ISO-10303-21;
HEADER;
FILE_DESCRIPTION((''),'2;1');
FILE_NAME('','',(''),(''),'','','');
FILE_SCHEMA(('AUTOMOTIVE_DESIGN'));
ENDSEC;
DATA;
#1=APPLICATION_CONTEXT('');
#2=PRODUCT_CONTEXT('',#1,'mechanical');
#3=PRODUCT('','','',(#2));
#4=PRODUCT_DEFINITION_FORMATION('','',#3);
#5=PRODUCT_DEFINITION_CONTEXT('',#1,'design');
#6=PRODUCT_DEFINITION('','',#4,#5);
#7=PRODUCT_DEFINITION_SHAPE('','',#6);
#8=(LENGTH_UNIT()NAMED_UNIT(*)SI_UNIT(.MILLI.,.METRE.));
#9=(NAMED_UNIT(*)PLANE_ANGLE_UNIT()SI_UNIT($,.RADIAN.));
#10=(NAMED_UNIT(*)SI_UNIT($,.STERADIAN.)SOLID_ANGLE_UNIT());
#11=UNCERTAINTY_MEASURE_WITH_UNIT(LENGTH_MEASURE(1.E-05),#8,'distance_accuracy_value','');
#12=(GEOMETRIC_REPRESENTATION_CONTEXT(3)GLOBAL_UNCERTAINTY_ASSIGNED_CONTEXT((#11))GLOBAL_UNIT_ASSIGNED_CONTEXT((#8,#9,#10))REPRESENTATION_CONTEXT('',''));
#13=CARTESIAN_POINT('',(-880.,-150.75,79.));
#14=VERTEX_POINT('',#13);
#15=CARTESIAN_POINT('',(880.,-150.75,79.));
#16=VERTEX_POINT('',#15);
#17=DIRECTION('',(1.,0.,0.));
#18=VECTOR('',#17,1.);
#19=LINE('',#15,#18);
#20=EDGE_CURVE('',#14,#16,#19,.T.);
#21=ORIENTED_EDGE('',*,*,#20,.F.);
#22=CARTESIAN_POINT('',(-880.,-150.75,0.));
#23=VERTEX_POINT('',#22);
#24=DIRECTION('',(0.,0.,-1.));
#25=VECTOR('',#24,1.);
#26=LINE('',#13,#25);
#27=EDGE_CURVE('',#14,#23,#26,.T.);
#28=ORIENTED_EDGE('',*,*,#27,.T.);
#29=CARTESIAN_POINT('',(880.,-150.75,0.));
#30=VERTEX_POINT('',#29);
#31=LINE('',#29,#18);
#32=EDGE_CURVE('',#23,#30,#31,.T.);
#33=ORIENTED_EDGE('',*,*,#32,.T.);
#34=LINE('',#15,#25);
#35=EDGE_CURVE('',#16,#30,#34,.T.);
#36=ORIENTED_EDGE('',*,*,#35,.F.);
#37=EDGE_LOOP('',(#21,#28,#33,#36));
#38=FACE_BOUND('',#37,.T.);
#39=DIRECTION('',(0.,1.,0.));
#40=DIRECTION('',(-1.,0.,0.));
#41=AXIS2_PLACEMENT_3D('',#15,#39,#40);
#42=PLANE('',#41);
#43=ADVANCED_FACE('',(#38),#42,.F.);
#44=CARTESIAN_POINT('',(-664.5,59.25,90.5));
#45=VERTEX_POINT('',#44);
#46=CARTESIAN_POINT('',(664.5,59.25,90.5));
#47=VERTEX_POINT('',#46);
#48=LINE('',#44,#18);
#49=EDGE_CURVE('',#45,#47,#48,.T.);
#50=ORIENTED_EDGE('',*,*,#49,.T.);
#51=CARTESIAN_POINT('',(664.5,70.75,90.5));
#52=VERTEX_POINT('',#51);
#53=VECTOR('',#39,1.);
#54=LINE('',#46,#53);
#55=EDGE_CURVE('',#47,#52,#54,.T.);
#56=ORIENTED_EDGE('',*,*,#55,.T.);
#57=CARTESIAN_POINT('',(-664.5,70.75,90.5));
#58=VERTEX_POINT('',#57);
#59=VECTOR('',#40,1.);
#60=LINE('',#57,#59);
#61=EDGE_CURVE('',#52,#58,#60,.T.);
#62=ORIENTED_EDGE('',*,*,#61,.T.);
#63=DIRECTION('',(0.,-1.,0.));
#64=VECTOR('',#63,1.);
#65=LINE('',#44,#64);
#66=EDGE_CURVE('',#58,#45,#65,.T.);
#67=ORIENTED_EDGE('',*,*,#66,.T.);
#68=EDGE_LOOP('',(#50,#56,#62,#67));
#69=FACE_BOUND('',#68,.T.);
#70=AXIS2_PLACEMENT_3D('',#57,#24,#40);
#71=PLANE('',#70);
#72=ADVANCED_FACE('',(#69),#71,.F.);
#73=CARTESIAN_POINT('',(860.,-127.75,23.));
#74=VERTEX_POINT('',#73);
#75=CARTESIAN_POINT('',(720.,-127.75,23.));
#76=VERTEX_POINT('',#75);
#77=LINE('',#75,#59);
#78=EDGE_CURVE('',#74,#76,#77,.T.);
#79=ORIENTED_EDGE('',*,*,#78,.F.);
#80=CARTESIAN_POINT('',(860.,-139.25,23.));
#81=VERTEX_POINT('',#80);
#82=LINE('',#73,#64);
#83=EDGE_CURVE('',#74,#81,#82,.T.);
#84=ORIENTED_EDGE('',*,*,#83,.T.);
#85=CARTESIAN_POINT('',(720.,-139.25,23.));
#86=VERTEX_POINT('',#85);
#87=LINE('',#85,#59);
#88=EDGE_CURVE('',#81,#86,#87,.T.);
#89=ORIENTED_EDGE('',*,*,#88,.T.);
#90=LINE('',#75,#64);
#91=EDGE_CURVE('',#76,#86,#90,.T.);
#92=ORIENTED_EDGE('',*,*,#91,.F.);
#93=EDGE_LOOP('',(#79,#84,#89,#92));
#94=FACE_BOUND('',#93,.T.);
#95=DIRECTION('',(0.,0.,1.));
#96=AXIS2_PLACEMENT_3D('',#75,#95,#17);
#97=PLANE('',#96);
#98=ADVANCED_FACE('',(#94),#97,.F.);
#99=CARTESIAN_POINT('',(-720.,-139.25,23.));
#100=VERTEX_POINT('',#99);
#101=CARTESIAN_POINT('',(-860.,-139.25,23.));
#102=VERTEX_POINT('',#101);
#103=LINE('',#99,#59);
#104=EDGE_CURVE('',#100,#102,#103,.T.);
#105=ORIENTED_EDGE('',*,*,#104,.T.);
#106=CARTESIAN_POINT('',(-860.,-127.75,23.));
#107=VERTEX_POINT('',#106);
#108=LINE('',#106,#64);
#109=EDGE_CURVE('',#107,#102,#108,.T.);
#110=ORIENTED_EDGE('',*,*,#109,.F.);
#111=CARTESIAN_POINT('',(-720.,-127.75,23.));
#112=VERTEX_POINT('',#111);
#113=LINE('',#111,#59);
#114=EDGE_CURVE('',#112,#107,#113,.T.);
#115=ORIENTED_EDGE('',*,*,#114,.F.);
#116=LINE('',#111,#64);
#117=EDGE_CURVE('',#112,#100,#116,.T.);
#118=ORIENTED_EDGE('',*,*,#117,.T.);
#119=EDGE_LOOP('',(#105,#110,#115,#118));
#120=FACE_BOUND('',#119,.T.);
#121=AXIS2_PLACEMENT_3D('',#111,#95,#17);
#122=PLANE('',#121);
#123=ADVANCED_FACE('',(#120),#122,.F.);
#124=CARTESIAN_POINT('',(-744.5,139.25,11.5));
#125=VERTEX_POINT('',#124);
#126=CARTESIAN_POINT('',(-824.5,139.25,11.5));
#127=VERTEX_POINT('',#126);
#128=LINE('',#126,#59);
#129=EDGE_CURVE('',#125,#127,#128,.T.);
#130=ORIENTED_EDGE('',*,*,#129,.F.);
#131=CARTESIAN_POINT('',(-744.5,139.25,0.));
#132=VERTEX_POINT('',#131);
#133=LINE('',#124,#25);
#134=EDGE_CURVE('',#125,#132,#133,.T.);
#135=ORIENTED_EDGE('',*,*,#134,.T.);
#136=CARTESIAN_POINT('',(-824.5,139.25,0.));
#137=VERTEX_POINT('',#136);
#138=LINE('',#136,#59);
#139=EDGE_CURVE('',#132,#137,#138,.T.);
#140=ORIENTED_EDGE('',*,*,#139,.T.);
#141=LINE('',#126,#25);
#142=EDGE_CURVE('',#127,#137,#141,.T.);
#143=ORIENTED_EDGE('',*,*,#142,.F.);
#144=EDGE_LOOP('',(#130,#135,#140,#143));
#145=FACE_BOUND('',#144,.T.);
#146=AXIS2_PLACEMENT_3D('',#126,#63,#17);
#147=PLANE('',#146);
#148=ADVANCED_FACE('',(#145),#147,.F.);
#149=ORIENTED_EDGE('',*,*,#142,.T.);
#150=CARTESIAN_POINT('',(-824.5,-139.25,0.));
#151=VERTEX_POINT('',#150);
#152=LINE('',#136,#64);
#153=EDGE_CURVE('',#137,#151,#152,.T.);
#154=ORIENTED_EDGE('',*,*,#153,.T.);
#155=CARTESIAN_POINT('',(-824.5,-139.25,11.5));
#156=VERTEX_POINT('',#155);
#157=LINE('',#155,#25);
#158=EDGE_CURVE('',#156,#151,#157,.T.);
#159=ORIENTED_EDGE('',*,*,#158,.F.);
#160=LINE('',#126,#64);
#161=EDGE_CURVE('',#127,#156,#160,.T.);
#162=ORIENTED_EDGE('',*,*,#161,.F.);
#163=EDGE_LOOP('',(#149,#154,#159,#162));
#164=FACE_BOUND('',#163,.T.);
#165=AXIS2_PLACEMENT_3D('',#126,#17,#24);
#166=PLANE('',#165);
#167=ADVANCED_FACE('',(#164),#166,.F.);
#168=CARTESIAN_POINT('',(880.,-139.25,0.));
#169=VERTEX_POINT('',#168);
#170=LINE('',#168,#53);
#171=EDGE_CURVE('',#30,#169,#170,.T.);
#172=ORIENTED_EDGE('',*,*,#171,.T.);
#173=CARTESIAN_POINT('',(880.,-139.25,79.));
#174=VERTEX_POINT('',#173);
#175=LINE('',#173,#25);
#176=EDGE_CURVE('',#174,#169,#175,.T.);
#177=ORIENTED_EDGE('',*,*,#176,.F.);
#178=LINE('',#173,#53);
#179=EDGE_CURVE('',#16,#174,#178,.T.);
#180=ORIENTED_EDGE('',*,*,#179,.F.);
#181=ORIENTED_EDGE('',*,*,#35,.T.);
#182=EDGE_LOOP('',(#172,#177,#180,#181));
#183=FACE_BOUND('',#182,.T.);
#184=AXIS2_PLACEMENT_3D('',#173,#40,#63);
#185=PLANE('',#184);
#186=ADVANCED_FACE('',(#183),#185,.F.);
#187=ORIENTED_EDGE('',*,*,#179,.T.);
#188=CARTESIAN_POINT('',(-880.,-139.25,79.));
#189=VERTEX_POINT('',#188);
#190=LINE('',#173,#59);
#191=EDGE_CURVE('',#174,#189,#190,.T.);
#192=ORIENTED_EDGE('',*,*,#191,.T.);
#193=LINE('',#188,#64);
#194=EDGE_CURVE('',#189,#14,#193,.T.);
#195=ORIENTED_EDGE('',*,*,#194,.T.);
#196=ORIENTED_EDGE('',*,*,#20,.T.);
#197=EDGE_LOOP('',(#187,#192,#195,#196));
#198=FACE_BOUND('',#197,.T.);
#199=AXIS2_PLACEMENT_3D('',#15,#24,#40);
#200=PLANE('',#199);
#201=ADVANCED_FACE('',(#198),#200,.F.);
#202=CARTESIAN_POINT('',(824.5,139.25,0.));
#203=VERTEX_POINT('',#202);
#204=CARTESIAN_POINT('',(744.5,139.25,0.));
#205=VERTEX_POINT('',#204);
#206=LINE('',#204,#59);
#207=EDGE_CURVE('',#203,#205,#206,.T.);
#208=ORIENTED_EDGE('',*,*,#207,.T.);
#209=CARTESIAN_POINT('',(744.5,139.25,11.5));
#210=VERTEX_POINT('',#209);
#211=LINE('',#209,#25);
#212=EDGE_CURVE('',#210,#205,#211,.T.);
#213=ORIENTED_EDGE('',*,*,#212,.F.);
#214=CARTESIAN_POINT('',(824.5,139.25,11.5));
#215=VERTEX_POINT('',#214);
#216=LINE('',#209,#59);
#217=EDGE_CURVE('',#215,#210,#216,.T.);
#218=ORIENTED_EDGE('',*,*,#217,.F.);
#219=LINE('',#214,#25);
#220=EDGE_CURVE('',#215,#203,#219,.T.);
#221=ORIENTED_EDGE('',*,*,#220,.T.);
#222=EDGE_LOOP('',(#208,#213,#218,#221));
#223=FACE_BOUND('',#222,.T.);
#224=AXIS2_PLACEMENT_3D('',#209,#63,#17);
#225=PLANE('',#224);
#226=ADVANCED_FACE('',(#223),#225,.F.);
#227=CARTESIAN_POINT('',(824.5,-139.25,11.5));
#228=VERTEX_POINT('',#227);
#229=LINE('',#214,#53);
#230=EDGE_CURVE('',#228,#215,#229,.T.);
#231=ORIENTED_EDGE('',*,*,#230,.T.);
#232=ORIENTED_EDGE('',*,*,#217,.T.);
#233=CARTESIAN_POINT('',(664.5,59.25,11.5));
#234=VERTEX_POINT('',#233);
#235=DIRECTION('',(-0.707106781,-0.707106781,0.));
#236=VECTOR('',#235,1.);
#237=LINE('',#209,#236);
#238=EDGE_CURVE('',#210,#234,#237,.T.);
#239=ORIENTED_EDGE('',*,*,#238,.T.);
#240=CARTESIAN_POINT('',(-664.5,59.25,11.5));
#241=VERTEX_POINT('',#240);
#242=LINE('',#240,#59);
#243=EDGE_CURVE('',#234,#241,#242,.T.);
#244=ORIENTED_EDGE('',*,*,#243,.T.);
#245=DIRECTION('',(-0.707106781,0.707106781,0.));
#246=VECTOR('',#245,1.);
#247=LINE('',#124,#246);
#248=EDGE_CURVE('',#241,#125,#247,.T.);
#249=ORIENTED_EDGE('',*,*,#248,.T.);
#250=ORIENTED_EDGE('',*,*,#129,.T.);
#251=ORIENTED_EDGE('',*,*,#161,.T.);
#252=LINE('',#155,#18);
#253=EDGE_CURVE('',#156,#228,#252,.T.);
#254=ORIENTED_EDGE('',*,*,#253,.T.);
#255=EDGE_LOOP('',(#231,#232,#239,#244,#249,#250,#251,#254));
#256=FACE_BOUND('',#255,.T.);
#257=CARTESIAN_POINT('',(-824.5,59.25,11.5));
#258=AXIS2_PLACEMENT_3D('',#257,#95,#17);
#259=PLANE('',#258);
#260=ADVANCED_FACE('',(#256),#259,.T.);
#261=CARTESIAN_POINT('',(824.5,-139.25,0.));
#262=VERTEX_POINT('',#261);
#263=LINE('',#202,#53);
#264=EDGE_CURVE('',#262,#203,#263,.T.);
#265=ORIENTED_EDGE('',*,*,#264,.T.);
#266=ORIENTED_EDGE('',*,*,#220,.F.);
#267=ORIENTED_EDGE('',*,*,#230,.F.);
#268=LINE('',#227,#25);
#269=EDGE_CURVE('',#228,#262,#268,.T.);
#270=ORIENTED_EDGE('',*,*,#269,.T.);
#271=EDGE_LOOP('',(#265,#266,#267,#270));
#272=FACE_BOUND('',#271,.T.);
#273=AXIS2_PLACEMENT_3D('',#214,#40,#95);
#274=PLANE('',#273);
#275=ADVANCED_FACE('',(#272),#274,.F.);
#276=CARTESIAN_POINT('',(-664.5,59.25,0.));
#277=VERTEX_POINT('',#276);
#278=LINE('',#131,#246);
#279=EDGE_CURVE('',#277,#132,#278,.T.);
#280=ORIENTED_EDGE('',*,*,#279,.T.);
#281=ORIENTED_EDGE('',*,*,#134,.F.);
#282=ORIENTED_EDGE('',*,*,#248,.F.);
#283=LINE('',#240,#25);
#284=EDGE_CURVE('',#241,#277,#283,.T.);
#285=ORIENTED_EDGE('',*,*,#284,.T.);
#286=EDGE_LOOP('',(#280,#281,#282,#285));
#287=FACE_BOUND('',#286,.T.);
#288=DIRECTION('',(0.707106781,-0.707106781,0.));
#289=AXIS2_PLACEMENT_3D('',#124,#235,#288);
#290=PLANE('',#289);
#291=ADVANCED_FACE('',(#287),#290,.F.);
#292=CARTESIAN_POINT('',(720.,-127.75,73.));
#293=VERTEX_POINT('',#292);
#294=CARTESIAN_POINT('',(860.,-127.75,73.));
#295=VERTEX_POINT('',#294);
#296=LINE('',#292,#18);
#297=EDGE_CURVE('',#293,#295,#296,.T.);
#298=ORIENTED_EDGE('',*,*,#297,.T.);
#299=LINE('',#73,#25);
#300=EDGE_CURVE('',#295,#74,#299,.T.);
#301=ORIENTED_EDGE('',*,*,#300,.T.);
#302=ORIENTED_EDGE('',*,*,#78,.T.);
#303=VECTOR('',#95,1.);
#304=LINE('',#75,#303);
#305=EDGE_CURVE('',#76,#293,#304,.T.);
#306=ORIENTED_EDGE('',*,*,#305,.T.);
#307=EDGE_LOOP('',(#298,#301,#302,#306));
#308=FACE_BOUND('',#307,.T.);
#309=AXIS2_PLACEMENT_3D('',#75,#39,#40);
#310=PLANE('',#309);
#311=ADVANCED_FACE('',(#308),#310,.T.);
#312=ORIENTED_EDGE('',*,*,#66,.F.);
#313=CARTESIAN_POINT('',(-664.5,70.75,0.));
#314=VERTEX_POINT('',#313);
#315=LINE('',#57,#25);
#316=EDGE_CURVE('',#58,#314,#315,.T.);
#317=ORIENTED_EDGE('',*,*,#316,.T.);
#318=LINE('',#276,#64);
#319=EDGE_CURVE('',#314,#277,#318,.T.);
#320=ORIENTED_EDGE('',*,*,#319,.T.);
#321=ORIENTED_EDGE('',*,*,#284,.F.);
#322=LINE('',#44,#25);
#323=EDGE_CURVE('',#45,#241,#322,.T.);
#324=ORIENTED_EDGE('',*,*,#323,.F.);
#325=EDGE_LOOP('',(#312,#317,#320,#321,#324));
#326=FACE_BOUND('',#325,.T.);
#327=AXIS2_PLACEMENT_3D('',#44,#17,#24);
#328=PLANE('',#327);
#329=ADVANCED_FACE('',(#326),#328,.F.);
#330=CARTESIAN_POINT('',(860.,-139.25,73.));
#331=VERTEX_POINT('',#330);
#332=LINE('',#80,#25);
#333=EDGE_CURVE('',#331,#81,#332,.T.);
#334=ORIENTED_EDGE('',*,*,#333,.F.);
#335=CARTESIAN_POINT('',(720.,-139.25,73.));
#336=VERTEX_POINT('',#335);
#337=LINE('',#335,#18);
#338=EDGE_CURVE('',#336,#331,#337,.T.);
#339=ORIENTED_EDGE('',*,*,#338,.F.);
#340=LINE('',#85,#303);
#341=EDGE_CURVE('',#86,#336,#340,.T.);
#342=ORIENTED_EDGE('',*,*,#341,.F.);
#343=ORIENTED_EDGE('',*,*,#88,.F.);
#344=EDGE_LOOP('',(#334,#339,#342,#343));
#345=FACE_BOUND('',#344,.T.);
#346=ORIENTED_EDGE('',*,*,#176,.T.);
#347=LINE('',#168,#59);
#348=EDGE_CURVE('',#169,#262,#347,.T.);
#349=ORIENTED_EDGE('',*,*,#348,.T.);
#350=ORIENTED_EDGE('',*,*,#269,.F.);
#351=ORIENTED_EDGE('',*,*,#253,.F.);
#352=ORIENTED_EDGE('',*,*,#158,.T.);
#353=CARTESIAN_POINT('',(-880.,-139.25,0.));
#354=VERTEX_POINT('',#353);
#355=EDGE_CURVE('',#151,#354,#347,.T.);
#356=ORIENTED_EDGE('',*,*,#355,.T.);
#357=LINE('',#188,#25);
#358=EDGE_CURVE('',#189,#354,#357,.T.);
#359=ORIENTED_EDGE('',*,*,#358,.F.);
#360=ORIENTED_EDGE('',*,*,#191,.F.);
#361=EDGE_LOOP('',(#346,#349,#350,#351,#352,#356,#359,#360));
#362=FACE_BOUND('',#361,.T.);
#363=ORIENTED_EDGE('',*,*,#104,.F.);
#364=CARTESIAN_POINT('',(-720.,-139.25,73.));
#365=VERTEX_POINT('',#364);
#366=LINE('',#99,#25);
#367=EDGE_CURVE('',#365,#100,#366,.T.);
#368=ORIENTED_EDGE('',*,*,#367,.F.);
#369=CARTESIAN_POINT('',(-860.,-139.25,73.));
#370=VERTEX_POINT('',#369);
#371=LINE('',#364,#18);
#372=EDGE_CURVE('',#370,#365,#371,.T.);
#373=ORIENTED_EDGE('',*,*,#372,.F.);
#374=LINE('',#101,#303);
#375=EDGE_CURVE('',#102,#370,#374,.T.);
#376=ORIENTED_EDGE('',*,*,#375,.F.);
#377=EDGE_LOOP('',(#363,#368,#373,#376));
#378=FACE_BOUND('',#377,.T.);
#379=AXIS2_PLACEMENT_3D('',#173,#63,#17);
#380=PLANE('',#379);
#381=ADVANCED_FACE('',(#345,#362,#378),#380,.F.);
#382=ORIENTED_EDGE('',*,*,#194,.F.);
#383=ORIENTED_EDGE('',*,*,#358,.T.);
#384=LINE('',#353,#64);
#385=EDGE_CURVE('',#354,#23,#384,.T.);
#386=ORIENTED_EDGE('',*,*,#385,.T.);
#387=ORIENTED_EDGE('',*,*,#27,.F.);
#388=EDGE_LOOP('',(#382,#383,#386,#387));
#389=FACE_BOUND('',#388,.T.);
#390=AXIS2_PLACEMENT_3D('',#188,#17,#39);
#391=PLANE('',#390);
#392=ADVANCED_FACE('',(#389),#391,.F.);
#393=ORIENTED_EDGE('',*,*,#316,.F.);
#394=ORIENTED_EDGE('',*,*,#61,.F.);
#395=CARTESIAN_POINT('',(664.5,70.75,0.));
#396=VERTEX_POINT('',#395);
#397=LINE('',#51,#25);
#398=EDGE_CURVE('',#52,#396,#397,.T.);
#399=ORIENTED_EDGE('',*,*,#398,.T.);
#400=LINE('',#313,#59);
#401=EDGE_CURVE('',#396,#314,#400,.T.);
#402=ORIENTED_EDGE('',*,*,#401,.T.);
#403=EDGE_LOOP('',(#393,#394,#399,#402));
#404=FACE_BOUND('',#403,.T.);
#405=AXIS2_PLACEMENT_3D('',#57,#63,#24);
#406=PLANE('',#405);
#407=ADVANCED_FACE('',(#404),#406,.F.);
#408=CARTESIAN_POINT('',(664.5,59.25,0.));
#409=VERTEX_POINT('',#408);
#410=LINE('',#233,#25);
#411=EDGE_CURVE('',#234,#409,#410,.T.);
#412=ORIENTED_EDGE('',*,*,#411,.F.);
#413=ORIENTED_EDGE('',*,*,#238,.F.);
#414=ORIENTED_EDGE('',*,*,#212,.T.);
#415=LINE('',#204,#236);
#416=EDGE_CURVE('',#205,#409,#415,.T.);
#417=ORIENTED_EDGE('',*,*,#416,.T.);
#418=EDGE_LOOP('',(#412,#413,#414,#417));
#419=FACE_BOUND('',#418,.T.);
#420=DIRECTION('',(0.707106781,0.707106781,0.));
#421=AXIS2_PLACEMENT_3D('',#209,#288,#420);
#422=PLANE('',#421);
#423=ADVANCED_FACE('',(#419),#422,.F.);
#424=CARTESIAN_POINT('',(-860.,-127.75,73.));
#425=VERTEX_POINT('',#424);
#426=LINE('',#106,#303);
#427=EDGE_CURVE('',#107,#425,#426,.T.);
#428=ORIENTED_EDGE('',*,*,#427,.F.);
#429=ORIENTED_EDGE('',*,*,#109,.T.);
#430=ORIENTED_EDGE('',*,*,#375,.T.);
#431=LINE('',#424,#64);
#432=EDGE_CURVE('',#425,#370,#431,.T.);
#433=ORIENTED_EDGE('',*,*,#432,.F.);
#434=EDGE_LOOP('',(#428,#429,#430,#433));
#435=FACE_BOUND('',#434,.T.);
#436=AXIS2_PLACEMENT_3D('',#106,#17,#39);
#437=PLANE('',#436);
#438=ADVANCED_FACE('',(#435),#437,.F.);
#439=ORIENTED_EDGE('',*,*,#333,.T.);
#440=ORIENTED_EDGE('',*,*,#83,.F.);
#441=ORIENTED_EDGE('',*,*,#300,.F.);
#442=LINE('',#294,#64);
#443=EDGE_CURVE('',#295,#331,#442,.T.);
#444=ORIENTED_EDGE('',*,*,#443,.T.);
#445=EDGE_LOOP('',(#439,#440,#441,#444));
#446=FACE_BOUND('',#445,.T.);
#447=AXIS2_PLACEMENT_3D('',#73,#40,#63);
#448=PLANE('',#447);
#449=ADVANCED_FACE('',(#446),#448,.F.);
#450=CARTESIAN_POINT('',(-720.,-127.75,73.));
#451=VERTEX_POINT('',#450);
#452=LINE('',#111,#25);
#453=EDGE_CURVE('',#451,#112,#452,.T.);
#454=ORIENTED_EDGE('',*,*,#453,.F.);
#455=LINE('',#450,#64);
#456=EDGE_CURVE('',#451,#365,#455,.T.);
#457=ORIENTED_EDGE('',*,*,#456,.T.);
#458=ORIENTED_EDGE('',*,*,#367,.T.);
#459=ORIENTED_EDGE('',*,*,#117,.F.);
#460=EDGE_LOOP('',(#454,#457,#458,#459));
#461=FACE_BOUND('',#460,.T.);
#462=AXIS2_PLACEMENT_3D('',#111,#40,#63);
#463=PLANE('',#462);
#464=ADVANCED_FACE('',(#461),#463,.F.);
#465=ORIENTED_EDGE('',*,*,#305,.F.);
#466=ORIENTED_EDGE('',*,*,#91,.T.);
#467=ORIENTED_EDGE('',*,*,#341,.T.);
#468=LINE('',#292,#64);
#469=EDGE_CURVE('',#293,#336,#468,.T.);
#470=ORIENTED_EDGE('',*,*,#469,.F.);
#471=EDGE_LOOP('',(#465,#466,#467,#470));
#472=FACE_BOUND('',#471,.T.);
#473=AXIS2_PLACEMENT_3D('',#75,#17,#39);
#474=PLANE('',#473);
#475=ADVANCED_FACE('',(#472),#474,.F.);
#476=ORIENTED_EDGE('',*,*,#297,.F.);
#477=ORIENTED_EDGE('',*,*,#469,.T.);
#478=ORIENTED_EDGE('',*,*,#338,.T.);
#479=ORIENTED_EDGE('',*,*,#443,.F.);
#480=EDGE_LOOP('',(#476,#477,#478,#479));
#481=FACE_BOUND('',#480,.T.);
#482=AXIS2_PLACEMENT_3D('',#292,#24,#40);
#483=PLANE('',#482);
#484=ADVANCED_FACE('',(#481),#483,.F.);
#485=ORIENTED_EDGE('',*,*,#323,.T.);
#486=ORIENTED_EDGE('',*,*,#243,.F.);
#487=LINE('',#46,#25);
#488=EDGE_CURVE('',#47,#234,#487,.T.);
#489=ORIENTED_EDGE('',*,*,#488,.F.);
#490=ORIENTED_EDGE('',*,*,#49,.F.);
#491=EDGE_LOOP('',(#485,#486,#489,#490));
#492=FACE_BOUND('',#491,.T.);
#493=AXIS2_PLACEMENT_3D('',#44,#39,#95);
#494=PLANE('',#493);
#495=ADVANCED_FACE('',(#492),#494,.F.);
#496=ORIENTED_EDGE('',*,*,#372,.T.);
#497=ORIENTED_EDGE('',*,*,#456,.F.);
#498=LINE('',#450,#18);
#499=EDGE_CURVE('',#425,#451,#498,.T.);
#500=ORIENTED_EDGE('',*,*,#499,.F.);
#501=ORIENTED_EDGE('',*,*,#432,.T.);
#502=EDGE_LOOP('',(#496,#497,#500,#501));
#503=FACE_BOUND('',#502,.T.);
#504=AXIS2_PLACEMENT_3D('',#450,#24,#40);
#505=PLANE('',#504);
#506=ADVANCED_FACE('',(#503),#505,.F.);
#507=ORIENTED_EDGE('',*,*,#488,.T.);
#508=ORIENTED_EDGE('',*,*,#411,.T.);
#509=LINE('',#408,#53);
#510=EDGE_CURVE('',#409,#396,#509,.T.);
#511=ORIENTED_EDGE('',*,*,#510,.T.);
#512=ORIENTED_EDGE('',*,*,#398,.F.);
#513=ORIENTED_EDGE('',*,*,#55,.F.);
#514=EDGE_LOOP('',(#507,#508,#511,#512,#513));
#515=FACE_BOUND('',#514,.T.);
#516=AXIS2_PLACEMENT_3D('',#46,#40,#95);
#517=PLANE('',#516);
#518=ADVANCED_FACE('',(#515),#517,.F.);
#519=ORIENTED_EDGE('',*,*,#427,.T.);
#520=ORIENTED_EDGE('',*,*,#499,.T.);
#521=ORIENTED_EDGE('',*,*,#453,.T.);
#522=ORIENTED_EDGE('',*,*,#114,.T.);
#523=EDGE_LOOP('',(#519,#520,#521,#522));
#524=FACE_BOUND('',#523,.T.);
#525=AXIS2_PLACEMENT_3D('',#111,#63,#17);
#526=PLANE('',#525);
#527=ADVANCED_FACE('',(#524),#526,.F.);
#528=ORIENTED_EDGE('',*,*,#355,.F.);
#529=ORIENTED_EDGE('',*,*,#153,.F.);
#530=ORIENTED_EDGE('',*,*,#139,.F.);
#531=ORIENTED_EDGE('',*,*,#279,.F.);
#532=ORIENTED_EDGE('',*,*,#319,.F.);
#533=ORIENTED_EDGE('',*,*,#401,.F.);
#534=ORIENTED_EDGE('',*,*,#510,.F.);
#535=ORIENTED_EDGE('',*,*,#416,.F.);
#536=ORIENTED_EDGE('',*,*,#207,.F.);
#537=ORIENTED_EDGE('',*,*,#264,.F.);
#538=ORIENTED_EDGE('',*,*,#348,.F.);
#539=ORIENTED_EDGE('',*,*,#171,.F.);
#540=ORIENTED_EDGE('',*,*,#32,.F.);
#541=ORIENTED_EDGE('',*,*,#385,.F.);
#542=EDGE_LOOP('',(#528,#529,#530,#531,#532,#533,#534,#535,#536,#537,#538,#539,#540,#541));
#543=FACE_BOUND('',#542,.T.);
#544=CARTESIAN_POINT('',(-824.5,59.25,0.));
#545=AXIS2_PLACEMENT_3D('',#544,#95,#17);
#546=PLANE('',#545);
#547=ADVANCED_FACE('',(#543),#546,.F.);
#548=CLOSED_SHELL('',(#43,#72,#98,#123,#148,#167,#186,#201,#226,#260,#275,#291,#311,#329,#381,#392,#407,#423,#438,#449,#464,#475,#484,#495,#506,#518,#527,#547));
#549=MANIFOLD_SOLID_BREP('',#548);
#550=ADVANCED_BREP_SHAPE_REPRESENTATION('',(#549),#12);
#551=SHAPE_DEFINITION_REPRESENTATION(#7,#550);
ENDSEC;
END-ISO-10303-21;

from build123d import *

# Parameters (mm, degrees)
EXTRUDE_562_DEPTH    = 11.5
EXTRUDE_7_DEPTH      = 79
EXTRUDE_7_DEPTH_BACK = 11.5
SKETCH_2_W           = 1329
SKETCH_2_H           = 11.5
EXTRUDE_9_DEPTH      = 67.5
EXTRUDE_9_DEPTH_BACK = 11.5
SKETCH_3_W           = 1760
SKETCH_3_H           = 11.5
SKETCH_4_W           = 140
SKETCH_4_H           = 50
EXTRUDE_10_DEPTH     = 11.5


with BuildPart() as part:
    # 草图1 → Extrude 562 (new body)
    with BuildSketch(Plane.XY):
        Polygon((-744.5, 139.25), (-664.5, 59.25), (664.5, 59.25), (744.5, 139.25), (824.5, 139.25), (824.5, -139.25), (-824.5, -139.25), (-824.5, 139.25), align=None)
    extrude(amount=EXTRUDE_562_DEPTH)

    # 草图2 → 凸台-拉伸7 (add, two sides: drawn at the far end of the back side and taken through both)
    with BuildSketch(Plane.XY.offset(11.5).offset(-EXTRUDE_7_DEPTH_BACK)):
        with Locations((0, 65)):
            Rectangle(SKETCH_2_W, SKETCH_2_H)
    extrude(amount=EXTRUDE_7_DEPTH + EXTRUDE_7_DEPTH_BACK)

    # 草图3 → 凸台-拉伸9 (add, two sides: drawn at the far end of the back side and taken through both)
    with BuildSketch(Plane.XY.offset(11.5).offset(-EXTRUDE_9_DEPTH_BACK)):
        with Locations((0, -145)):
            Rectangle(SKETCH_3_W, SKETCH_3_H)
    extrude(amount=EXTRUDE_9_DEPTH + EXTRUDE_9_DEPTH_BACK)

    # 草图4 → 凸台-拉伸10 (add)
    with BuildSketch(Plane(origin=(0, -139.25, 0), x_dir=(-1, 0, 0), z_dir=(0, 1, 0))):
        with Locations((-790, 48)):
            Rectangle(SKETCH_4_W, SKETCH_4_H)
        with Locations((790, 48)):
            Rectangle(SKETCH_4_W, SKETCH_4_H)
    extrude(amount=EXTRUDE_10_DEPTH)


solid = part.part
